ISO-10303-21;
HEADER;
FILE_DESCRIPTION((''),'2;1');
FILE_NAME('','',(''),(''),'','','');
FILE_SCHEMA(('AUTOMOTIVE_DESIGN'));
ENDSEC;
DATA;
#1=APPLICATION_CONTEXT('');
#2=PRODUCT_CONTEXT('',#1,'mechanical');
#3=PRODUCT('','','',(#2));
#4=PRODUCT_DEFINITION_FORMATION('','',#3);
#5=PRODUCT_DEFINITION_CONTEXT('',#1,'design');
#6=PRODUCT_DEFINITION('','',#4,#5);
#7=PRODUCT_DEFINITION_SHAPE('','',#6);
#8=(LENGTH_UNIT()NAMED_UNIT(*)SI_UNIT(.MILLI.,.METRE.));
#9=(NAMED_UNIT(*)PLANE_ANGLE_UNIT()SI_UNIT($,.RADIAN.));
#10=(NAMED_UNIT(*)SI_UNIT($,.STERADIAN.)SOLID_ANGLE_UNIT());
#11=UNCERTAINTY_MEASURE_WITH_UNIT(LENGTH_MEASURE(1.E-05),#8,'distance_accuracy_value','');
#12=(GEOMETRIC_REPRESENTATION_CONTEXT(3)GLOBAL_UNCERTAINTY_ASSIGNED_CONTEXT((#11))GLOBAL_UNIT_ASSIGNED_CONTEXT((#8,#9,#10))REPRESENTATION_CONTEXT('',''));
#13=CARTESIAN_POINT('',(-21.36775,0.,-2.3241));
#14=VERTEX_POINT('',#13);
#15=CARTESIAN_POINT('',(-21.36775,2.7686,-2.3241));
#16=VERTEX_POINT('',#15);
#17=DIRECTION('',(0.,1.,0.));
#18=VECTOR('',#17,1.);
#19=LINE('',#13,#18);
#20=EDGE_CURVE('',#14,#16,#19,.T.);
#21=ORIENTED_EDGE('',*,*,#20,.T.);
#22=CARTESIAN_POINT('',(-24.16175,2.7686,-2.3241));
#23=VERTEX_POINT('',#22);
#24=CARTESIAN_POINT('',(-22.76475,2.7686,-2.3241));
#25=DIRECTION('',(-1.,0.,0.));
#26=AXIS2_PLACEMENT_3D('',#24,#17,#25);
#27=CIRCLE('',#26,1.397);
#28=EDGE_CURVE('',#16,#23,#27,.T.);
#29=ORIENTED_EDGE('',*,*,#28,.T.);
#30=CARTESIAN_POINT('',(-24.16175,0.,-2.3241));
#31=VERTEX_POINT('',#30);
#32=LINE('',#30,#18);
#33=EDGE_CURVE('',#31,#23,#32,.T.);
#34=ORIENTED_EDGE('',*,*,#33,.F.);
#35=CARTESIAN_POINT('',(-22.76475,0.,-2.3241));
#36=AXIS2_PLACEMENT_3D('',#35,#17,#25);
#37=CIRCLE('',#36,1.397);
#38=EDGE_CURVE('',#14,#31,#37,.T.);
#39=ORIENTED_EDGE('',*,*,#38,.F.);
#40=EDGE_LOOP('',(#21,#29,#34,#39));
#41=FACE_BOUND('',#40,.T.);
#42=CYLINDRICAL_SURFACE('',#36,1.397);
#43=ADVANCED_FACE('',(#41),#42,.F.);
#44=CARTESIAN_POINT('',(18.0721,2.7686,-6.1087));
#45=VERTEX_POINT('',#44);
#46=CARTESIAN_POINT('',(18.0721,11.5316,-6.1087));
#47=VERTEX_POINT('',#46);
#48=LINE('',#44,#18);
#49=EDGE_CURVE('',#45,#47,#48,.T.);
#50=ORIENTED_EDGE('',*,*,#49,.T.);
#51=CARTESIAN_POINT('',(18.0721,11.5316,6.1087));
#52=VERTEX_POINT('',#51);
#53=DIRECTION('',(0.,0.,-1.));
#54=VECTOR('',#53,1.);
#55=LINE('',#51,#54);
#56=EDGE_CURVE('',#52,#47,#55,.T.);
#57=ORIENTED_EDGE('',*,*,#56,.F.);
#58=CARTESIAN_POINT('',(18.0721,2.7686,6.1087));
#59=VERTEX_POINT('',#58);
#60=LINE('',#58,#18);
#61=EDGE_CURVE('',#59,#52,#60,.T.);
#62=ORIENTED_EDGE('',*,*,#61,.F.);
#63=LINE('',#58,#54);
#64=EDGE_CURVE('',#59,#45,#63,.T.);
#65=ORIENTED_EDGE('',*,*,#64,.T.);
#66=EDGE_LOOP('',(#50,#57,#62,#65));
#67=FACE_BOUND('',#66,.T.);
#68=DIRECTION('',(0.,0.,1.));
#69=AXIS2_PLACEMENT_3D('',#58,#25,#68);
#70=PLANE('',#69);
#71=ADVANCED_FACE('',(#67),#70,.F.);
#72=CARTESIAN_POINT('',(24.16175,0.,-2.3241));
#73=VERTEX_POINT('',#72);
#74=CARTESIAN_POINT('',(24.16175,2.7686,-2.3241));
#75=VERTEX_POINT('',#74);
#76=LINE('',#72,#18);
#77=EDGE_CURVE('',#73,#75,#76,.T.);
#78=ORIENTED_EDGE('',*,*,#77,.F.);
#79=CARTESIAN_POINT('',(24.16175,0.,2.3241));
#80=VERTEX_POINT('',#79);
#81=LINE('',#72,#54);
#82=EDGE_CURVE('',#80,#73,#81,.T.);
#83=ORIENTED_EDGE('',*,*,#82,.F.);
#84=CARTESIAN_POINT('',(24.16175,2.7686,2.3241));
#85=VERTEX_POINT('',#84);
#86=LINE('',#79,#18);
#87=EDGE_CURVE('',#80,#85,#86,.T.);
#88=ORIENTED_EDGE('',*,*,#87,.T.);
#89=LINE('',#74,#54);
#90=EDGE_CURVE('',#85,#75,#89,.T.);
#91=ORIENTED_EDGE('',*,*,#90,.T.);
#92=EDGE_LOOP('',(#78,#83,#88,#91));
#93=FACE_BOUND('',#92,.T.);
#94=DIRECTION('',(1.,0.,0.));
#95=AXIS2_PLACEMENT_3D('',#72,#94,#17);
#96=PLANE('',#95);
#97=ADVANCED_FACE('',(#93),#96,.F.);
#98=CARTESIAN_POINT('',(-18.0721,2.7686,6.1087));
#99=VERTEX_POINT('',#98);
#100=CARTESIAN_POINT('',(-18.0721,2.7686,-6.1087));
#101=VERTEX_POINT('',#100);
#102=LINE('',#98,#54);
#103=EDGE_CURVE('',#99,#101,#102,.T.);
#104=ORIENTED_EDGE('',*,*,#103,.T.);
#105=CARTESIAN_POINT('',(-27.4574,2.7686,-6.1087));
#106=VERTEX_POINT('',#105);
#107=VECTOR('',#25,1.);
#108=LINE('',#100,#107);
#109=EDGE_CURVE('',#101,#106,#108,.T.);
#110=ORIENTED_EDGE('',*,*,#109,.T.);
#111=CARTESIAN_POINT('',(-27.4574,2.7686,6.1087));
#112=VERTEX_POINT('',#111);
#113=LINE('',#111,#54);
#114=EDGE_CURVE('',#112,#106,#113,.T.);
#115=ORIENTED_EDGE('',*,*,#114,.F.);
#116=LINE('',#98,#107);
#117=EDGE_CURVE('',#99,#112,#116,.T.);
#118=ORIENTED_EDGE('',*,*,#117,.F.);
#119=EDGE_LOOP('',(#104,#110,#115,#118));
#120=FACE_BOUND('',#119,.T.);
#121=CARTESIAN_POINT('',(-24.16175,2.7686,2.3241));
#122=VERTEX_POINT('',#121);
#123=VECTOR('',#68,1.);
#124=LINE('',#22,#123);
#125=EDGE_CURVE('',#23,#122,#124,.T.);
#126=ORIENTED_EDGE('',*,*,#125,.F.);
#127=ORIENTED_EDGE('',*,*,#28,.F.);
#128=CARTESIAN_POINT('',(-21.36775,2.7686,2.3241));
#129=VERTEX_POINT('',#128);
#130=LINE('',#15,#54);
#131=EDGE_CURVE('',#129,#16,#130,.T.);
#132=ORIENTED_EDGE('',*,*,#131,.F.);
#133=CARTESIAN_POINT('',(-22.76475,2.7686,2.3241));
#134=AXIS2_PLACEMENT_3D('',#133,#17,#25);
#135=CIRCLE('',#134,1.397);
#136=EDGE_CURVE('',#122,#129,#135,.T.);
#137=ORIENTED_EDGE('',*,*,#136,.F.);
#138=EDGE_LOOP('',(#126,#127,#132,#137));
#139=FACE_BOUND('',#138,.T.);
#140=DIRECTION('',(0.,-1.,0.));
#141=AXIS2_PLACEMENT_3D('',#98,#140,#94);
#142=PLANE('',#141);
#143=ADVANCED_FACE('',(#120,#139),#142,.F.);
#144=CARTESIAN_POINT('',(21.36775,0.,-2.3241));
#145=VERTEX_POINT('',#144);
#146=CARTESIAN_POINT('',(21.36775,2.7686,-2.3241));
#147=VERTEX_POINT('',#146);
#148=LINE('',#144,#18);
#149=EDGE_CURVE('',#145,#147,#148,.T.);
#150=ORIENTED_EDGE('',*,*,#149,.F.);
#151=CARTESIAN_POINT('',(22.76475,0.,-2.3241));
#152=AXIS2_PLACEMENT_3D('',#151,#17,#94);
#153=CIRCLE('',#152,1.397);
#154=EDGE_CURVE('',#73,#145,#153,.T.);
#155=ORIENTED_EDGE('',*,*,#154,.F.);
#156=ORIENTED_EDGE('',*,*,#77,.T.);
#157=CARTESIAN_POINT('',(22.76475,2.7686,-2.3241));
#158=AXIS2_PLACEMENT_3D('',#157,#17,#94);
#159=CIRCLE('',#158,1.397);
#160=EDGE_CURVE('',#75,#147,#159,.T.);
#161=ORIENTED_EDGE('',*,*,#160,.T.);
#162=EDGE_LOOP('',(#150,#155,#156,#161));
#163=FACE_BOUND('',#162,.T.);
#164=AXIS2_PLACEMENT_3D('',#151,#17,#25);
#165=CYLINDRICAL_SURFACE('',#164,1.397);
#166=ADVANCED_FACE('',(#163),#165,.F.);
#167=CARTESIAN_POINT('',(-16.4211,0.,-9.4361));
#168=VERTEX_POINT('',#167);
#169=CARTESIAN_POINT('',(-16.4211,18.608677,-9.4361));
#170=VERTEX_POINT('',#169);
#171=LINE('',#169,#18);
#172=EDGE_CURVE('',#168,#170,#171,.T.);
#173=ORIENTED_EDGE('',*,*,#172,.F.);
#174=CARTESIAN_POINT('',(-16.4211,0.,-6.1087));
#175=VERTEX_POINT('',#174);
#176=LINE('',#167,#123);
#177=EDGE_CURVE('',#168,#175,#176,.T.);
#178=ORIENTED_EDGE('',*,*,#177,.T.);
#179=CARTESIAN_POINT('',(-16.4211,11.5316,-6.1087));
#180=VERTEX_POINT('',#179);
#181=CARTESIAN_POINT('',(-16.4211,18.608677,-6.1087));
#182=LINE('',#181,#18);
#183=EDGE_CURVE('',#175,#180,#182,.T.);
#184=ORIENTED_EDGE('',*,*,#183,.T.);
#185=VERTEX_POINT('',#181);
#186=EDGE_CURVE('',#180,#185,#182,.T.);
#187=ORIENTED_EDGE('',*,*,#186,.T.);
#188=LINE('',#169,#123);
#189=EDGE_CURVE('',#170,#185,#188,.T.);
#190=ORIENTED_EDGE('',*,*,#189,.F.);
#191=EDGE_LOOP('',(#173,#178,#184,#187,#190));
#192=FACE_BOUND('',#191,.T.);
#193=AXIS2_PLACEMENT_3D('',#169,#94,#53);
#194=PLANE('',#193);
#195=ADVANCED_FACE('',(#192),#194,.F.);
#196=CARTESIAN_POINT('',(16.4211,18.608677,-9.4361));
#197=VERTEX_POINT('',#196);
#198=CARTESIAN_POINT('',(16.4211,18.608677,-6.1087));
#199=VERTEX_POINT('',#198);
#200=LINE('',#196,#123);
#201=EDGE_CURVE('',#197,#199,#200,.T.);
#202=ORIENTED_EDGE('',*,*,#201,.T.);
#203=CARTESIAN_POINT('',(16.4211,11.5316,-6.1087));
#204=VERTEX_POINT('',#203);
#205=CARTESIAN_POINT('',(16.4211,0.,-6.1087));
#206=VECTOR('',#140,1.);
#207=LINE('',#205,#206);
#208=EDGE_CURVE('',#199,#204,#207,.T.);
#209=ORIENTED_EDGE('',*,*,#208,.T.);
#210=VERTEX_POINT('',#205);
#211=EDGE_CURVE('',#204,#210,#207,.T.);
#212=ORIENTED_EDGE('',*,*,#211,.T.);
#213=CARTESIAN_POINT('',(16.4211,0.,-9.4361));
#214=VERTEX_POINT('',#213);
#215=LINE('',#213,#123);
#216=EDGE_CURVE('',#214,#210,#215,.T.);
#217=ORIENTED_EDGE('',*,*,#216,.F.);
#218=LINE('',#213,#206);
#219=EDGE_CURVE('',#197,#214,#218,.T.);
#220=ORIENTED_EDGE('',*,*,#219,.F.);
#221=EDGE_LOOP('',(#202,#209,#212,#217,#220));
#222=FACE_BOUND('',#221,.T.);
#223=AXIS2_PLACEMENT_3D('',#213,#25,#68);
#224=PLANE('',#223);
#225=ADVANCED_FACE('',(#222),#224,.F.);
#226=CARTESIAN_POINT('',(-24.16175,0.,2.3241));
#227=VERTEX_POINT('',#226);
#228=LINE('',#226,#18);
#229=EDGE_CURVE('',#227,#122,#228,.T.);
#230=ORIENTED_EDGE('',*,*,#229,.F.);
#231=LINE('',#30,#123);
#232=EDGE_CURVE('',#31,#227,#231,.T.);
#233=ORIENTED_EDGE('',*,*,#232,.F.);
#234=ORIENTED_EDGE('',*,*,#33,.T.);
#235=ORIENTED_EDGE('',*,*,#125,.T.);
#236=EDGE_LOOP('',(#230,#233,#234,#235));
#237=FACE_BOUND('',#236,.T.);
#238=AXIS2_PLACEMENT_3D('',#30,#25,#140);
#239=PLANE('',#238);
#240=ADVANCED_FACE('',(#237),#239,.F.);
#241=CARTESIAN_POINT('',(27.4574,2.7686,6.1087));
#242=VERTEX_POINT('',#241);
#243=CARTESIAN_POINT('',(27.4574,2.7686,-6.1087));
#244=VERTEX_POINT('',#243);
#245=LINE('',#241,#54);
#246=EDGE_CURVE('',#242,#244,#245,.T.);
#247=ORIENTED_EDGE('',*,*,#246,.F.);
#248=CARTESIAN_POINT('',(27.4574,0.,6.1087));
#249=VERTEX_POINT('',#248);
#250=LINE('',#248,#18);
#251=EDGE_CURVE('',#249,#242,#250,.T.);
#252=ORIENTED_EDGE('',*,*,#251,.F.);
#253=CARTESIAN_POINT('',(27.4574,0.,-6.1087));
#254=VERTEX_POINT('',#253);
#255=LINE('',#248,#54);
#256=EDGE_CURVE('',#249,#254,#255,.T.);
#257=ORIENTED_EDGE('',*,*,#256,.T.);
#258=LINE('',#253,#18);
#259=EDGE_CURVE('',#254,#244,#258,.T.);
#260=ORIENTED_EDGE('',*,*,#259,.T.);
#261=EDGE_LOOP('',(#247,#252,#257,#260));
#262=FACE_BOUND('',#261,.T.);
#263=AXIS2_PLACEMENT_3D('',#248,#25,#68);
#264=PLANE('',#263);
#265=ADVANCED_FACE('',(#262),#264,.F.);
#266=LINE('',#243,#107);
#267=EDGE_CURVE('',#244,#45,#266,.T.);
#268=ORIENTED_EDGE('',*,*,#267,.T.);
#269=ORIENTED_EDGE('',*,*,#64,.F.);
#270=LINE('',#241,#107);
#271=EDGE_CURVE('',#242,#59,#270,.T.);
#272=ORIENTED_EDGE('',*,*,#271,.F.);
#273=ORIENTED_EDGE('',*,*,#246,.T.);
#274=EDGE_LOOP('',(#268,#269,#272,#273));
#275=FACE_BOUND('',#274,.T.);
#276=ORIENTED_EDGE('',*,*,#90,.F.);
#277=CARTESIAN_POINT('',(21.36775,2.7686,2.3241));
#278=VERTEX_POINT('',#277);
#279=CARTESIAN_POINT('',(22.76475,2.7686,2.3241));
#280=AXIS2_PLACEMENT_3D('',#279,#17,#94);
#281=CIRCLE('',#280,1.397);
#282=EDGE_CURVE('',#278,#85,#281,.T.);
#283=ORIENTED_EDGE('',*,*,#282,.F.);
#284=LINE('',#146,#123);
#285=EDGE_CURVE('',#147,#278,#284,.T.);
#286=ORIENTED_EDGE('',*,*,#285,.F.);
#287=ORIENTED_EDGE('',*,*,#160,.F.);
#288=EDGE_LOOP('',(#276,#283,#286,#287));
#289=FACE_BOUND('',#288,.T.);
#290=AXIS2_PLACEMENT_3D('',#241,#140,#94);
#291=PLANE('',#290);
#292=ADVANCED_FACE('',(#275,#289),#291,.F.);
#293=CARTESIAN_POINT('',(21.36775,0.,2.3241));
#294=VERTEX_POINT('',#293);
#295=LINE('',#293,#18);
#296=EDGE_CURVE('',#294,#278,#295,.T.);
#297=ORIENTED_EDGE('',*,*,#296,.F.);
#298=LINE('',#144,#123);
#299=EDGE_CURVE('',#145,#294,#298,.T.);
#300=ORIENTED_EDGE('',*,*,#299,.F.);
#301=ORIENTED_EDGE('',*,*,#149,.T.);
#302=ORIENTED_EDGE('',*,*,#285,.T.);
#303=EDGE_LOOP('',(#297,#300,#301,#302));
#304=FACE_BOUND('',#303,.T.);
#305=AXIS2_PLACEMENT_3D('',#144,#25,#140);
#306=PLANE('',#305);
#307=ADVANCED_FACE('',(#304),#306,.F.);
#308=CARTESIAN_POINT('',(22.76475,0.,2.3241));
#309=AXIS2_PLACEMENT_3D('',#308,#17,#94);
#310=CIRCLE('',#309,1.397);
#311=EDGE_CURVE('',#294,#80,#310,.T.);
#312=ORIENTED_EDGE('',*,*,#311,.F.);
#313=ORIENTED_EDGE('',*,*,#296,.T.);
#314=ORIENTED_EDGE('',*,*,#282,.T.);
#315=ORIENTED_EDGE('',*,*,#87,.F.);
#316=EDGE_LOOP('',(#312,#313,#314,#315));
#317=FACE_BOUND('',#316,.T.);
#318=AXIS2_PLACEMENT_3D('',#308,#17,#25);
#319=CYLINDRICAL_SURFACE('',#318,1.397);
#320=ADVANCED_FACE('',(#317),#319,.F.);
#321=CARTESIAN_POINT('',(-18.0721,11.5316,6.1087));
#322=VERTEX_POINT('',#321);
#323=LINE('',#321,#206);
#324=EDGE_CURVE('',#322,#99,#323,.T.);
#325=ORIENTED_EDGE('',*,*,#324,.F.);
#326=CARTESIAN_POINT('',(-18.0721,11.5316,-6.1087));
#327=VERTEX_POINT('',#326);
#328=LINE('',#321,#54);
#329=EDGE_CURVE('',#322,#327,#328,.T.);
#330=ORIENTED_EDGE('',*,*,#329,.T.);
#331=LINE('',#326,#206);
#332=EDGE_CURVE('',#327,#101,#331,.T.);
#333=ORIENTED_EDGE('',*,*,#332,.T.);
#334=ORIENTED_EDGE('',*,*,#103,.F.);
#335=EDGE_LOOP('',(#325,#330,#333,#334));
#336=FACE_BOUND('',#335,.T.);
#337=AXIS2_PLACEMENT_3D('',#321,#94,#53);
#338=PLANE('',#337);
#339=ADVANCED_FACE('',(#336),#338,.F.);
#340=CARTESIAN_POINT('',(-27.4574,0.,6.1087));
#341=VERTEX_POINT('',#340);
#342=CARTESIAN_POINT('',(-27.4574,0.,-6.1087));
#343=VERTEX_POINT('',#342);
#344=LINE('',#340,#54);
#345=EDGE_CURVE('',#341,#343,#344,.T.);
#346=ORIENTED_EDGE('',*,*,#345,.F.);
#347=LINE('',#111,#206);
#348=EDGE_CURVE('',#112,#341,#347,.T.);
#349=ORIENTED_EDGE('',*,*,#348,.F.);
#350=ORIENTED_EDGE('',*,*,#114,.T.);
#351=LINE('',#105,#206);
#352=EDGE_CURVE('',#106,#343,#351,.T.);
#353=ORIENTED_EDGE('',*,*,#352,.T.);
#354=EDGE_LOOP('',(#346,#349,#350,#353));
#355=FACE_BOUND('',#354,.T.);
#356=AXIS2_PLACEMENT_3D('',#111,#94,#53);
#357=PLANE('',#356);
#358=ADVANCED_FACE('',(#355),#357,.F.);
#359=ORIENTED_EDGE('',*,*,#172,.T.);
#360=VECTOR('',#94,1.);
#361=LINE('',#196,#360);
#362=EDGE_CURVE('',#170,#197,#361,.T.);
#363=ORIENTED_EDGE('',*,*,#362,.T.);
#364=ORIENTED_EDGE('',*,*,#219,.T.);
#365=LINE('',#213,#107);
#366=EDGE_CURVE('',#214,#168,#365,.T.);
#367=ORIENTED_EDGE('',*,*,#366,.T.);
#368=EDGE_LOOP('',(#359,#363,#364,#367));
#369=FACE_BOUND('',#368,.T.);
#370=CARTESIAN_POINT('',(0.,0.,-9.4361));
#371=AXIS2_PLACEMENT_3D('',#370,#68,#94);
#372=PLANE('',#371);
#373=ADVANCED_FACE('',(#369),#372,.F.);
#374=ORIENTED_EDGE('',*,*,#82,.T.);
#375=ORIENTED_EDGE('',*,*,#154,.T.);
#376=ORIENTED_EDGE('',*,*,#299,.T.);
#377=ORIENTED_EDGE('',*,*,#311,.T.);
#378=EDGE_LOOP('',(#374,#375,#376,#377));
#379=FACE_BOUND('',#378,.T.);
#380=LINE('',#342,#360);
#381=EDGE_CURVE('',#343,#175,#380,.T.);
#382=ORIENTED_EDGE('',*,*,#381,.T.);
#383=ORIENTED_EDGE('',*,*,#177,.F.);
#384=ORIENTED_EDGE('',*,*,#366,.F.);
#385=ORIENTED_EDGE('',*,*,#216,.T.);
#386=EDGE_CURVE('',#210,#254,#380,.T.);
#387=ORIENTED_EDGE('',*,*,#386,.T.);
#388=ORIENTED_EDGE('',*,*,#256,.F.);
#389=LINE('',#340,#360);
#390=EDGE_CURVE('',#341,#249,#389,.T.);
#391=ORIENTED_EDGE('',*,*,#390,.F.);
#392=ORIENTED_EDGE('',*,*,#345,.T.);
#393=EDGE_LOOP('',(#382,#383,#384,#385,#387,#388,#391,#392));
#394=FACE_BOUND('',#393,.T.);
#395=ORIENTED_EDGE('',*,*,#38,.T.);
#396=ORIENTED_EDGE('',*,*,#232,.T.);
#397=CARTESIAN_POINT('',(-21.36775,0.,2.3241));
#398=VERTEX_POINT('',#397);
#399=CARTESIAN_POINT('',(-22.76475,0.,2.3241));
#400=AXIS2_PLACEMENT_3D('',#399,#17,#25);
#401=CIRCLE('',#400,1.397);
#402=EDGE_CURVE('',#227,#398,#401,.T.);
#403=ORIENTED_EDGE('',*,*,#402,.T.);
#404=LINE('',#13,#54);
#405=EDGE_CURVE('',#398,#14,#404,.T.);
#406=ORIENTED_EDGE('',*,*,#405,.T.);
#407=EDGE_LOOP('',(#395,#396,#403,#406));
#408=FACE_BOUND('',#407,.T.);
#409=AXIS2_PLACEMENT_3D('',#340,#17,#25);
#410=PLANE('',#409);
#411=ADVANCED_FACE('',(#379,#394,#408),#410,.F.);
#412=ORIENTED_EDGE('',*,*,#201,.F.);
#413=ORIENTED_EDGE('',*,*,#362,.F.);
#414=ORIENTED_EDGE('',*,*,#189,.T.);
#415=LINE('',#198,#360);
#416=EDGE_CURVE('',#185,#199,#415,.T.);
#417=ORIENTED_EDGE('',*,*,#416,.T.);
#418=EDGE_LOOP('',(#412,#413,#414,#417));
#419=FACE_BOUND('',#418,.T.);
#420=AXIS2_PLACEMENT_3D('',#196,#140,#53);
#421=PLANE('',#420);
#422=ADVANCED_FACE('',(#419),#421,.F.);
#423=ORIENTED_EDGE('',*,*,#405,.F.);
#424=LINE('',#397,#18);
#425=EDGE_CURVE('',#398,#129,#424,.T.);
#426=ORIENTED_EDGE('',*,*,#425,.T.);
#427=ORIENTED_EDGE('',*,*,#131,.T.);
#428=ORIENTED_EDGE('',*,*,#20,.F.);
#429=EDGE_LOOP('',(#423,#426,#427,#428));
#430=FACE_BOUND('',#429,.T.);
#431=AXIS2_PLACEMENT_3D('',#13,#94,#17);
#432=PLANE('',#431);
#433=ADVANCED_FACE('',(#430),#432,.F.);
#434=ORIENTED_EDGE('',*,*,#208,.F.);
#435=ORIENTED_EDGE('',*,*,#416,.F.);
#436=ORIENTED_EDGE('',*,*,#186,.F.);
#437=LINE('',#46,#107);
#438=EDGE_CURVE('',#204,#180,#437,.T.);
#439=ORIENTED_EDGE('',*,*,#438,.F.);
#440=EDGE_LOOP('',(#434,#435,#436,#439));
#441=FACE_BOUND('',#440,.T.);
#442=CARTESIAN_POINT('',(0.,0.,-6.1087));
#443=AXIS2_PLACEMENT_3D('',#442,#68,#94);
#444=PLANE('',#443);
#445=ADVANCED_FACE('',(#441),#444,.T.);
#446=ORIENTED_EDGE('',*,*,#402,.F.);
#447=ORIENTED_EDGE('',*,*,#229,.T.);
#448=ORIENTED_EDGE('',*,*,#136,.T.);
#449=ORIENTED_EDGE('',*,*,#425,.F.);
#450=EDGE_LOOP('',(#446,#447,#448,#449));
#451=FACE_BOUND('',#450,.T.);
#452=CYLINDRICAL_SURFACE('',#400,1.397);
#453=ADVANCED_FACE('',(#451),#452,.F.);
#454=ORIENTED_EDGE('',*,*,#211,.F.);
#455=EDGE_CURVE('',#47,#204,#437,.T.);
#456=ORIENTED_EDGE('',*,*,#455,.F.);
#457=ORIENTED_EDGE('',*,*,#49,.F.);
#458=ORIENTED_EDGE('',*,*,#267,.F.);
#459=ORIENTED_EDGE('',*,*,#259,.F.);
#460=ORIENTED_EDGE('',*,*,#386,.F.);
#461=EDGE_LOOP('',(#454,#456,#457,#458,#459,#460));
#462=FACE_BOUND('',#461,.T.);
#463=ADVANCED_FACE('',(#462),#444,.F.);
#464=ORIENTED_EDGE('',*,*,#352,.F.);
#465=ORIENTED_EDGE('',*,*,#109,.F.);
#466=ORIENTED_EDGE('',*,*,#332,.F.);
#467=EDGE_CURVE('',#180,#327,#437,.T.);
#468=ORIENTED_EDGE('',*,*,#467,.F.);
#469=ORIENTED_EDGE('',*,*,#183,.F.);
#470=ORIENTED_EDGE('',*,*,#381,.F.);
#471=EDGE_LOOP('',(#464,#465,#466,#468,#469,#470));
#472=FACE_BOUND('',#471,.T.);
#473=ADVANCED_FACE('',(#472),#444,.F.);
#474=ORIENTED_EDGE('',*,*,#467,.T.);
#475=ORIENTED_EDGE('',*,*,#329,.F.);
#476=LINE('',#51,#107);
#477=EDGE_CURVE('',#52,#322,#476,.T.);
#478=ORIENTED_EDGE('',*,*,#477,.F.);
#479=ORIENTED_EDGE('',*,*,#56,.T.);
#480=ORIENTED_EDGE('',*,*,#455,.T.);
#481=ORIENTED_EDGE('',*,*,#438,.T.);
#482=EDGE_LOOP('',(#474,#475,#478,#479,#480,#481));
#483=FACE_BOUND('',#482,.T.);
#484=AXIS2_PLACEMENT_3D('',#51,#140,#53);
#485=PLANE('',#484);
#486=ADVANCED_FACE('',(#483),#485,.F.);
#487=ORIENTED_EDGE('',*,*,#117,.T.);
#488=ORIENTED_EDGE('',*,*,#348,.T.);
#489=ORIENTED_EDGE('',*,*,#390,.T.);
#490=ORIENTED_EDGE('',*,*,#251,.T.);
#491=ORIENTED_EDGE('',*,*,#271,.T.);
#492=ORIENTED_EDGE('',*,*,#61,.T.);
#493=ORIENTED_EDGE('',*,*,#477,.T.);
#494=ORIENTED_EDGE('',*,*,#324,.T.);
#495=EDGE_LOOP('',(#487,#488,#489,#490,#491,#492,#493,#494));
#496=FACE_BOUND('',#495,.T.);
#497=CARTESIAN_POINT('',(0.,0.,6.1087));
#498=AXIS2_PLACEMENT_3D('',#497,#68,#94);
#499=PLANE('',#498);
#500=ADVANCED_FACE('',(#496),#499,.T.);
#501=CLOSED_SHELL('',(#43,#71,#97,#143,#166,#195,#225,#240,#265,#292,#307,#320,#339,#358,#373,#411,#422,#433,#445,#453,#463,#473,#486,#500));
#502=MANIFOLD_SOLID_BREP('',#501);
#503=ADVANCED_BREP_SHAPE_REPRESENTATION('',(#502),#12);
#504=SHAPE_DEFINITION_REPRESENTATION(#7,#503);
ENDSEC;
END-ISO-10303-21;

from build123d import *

# Parameters (mm, degrees)
BOSS_EXTRUDE1_DEPTH = 6.1087
CUT_EXTRUDE1_DEPTH  = 30.462097676
SKETCH3_W           = 32.8422
SKETCH3_H           = 18.608676988
BOSS_EXTRUDE2_DEPTH = 3.3274


with BuildPart() as part:
    # Sketch1 → Boss-Extrude1 (new, symmetric)
    with BuildSketch(Plane.XY):
        Polygon((-27.4574, 0), (27.4574, 0), (27.4574, 2.7686), (18.0721, 2.7686), (18.0721, 11.5316), (-18.0721, 11.5316), (-18.0721, 2.7686), (-27.4574, 2.7686), align=None)
    extrude(amount=BOSS_EXTRUDE1_DEPTH, both=True)

    # Sketch2 → Cut-Extrude1 (cut, through all)
    with BuildSketch(Plane(origin=(0, 2.7686, 0), x_dir=(1, 0, 0), z_dir=(0, 1, 0))):
        with BuildLine():
            Line((-21.36775, 2.3241), (-21.36775, -2.3241))
            ThreePointArc((-21.36775, -2.3241), (-22.76475, -3.7211), (-24.16175, -2.3241))
            Line((-24.16175, -2.3241), (-24.16175, 2.3241))
            ThreePointArc((-24.16175, 2.3241), (-22.76475, 3.7211), (-21.36775, 2.3241))
        make_face()
        with BuildLine():
            Line((21.36775, 2.3241), (21.36775, -2.3241))
            ThreePointArc((21.36775, -2.3241), (22.76475, -3.7211), (24.16175, -2.3241))
            Line((24.16175, -2.3241), (24.16175, 2.3241))
            ThreePointArc((24.16175, 2.3241), (22.76475, 3.7211), (21.36775, 2.3241))
        make_face()
    extrude(amount=-CUT_EXTRUDE1_DEPTH, mode=Mode.SUBTRACT)

    # Sketch3 → Boss-Extrude2 (add)
    with BuildSketch(Plane(origin=(0, 0, -6.1087), x_dir=(-1, 0, 0), z_dir=(0, 0, -1))):
        with Locations((0, 9.304338494)):
            Rectangle(SKETCH3_W, SKETCH3_H)
    extrude(amount=BOSS_EXTRUDE2_DEPTH)


solid = part.part
